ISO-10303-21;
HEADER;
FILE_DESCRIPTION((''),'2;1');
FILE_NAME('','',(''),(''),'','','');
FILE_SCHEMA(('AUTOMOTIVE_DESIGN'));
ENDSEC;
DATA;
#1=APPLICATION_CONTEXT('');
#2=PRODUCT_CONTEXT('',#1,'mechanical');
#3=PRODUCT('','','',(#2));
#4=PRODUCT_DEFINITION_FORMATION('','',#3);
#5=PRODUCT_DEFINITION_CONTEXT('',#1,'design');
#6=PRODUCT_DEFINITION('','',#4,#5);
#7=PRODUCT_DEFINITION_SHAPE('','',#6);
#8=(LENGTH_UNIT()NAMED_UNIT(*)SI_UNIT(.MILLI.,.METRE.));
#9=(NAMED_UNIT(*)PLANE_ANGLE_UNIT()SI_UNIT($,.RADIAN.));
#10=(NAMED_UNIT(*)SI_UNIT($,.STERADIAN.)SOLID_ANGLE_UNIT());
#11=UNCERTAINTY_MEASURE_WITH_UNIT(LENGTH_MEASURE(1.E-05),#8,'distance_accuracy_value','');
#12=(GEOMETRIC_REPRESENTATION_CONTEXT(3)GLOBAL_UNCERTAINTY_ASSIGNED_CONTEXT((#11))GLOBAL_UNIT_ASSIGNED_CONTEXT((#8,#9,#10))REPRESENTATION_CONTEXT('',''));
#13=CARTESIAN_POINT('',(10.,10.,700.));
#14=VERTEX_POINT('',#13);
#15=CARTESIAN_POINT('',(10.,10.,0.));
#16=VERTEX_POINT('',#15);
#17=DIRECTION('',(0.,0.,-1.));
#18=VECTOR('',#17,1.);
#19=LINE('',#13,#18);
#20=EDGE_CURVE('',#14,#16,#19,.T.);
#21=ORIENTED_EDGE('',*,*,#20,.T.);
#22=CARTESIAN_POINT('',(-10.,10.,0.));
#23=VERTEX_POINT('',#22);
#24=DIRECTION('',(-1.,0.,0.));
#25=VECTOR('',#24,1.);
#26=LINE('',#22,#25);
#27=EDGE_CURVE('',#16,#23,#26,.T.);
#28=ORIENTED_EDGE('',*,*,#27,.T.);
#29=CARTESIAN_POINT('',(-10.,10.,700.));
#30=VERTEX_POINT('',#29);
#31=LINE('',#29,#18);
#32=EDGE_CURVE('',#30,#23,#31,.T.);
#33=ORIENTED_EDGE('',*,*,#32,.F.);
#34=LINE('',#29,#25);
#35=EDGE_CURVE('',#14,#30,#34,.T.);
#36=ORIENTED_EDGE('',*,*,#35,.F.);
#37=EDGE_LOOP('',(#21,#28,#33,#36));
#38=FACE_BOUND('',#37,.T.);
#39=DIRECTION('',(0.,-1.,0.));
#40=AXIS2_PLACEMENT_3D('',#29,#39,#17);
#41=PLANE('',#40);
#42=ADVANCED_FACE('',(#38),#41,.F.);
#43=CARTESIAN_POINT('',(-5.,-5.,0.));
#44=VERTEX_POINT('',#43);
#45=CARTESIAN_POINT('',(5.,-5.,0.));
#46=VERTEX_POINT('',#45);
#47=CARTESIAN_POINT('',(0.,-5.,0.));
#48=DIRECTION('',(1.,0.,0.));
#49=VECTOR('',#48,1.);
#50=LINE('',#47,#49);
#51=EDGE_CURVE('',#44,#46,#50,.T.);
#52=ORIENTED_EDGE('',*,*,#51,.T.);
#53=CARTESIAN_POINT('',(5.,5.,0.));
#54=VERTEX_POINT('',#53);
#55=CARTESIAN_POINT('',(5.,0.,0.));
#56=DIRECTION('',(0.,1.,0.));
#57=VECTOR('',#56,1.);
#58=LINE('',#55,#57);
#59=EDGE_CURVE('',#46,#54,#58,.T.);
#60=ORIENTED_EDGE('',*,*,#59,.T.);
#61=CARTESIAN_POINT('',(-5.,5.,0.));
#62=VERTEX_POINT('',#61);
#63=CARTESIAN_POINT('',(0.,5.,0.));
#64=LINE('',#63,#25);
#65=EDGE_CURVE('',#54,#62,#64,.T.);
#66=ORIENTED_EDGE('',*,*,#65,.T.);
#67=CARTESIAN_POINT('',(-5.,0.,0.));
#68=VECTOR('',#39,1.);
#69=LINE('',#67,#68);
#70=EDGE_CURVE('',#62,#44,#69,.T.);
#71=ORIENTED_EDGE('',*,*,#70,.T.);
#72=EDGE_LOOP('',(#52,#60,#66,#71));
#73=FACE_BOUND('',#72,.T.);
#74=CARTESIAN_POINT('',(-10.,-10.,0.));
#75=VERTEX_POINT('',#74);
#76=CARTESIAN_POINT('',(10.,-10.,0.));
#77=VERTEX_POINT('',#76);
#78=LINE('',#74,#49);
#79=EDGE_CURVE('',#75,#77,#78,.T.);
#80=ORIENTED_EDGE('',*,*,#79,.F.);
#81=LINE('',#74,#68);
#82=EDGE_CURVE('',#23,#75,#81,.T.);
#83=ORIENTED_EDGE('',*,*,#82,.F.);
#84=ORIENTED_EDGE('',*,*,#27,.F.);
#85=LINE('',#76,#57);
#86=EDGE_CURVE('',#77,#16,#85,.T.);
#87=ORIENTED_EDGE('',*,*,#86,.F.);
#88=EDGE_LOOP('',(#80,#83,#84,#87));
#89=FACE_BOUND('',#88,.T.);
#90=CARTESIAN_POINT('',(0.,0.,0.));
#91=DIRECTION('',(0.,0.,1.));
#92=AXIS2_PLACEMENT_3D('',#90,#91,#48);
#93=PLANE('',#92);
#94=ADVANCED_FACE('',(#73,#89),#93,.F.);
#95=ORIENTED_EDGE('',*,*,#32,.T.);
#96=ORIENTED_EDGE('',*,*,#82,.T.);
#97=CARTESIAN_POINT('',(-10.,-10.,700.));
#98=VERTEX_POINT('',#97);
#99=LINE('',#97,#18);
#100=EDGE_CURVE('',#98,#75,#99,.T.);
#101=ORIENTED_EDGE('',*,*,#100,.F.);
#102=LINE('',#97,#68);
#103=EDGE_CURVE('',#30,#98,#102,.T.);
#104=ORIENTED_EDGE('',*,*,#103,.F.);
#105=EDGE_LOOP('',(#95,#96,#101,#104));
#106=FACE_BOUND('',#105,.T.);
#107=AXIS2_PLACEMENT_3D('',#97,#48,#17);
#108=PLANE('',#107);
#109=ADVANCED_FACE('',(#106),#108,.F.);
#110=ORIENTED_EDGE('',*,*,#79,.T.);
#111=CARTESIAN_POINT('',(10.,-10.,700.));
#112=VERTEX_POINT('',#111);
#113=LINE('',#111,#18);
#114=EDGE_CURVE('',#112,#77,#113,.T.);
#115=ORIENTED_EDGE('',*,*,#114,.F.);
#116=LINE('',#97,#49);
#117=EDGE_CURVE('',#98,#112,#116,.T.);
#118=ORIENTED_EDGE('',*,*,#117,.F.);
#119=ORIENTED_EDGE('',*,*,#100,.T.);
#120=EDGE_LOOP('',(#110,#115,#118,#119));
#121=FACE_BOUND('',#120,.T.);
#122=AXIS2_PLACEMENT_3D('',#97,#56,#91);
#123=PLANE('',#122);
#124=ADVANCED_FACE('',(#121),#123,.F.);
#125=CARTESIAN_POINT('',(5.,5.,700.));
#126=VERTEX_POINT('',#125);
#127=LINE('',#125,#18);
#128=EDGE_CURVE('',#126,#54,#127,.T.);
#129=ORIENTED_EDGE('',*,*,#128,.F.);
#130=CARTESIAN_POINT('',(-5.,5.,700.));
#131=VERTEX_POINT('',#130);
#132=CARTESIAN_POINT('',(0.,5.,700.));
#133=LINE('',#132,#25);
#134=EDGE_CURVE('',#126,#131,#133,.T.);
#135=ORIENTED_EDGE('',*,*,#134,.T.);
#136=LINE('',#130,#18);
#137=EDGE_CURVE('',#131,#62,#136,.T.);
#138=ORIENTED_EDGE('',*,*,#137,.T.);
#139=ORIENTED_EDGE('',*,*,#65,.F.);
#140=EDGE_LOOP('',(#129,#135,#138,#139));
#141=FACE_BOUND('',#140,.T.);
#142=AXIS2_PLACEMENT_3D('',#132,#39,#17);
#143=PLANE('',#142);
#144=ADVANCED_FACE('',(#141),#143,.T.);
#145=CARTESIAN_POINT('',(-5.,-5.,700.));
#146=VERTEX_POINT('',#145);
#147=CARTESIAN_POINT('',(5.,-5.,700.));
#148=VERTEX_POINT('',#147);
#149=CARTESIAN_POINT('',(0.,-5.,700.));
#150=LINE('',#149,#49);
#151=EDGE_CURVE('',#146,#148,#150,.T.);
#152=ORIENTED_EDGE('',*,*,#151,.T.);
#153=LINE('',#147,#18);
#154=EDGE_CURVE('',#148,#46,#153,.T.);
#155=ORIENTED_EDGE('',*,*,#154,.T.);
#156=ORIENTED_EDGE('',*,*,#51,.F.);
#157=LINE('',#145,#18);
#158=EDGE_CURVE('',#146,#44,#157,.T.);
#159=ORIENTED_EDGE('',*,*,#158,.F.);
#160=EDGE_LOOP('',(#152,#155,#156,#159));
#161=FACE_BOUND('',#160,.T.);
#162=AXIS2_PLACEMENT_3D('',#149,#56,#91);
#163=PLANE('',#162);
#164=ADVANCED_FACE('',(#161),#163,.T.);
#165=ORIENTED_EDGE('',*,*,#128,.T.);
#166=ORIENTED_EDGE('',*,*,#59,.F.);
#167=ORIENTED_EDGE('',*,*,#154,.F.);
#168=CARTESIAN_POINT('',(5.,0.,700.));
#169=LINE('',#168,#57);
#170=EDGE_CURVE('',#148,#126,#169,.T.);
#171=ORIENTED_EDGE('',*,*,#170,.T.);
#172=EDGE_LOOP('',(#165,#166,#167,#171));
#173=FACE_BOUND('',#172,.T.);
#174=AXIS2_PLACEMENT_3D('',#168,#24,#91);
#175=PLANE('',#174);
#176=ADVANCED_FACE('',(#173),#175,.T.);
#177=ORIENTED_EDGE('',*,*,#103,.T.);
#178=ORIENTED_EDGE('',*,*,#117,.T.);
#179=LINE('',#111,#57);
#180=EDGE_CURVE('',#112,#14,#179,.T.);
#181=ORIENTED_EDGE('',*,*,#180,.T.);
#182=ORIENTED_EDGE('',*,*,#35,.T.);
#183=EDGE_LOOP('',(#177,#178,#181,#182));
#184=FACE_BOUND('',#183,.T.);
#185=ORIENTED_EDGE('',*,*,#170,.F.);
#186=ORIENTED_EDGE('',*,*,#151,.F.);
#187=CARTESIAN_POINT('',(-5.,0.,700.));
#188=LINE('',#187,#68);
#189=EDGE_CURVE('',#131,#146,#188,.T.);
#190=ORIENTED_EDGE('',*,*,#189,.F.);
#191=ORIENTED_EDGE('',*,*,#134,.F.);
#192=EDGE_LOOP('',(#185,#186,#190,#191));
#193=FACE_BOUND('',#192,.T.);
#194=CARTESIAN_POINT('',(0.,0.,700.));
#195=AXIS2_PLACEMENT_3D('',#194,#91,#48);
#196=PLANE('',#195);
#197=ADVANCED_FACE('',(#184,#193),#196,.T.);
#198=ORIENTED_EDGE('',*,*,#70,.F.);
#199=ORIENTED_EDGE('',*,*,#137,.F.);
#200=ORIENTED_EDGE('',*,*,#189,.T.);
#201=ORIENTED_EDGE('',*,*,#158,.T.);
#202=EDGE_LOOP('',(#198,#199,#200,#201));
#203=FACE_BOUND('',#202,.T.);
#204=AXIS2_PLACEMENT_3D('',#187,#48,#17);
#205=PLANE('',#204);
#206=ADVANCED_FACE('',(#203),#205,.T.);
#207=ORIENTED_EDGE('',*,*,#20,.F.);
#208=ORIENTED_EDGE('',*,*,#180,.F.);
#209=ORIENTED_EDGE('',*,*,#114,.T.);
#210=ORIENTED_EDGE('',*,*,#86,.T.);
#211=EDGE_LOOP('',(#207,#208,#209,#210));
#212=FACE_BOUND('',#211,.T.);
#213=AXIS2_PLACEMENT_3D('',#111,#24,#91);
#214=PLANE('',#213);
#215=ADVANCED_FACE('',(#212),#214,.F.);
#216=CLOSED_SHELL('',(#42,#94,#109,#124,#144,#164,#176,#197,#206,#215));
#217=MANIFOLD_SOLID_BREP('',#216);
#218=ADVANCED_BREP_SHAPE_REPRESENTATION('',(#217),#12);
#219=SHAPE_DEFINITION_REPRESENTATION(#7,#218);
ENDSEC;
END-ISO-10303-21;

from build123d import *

# Parameters (mm, degrees)
SKETCH1_W           = 20
SKETCH1_H           = 20
SKETCH1_W_2         = 10
SKETCH1_H_2         = 10
EXTRUDE_THIN1_DEPTH = 700


with BuildPart() as part:
    # Sketch1 → Extrude-Thin1 (new body)
    with BuildSketch(Plane.XY):
        Rectangle(SKETCH1_W, SKETCH1_H)
        Rectangle(SKETCH1_W_2, SKETCH1_H_2, mode=Mode.SUBTRACT)
    extrude(amount=EXTRUDE_THIN1_DEPTH)


solid = part.part
